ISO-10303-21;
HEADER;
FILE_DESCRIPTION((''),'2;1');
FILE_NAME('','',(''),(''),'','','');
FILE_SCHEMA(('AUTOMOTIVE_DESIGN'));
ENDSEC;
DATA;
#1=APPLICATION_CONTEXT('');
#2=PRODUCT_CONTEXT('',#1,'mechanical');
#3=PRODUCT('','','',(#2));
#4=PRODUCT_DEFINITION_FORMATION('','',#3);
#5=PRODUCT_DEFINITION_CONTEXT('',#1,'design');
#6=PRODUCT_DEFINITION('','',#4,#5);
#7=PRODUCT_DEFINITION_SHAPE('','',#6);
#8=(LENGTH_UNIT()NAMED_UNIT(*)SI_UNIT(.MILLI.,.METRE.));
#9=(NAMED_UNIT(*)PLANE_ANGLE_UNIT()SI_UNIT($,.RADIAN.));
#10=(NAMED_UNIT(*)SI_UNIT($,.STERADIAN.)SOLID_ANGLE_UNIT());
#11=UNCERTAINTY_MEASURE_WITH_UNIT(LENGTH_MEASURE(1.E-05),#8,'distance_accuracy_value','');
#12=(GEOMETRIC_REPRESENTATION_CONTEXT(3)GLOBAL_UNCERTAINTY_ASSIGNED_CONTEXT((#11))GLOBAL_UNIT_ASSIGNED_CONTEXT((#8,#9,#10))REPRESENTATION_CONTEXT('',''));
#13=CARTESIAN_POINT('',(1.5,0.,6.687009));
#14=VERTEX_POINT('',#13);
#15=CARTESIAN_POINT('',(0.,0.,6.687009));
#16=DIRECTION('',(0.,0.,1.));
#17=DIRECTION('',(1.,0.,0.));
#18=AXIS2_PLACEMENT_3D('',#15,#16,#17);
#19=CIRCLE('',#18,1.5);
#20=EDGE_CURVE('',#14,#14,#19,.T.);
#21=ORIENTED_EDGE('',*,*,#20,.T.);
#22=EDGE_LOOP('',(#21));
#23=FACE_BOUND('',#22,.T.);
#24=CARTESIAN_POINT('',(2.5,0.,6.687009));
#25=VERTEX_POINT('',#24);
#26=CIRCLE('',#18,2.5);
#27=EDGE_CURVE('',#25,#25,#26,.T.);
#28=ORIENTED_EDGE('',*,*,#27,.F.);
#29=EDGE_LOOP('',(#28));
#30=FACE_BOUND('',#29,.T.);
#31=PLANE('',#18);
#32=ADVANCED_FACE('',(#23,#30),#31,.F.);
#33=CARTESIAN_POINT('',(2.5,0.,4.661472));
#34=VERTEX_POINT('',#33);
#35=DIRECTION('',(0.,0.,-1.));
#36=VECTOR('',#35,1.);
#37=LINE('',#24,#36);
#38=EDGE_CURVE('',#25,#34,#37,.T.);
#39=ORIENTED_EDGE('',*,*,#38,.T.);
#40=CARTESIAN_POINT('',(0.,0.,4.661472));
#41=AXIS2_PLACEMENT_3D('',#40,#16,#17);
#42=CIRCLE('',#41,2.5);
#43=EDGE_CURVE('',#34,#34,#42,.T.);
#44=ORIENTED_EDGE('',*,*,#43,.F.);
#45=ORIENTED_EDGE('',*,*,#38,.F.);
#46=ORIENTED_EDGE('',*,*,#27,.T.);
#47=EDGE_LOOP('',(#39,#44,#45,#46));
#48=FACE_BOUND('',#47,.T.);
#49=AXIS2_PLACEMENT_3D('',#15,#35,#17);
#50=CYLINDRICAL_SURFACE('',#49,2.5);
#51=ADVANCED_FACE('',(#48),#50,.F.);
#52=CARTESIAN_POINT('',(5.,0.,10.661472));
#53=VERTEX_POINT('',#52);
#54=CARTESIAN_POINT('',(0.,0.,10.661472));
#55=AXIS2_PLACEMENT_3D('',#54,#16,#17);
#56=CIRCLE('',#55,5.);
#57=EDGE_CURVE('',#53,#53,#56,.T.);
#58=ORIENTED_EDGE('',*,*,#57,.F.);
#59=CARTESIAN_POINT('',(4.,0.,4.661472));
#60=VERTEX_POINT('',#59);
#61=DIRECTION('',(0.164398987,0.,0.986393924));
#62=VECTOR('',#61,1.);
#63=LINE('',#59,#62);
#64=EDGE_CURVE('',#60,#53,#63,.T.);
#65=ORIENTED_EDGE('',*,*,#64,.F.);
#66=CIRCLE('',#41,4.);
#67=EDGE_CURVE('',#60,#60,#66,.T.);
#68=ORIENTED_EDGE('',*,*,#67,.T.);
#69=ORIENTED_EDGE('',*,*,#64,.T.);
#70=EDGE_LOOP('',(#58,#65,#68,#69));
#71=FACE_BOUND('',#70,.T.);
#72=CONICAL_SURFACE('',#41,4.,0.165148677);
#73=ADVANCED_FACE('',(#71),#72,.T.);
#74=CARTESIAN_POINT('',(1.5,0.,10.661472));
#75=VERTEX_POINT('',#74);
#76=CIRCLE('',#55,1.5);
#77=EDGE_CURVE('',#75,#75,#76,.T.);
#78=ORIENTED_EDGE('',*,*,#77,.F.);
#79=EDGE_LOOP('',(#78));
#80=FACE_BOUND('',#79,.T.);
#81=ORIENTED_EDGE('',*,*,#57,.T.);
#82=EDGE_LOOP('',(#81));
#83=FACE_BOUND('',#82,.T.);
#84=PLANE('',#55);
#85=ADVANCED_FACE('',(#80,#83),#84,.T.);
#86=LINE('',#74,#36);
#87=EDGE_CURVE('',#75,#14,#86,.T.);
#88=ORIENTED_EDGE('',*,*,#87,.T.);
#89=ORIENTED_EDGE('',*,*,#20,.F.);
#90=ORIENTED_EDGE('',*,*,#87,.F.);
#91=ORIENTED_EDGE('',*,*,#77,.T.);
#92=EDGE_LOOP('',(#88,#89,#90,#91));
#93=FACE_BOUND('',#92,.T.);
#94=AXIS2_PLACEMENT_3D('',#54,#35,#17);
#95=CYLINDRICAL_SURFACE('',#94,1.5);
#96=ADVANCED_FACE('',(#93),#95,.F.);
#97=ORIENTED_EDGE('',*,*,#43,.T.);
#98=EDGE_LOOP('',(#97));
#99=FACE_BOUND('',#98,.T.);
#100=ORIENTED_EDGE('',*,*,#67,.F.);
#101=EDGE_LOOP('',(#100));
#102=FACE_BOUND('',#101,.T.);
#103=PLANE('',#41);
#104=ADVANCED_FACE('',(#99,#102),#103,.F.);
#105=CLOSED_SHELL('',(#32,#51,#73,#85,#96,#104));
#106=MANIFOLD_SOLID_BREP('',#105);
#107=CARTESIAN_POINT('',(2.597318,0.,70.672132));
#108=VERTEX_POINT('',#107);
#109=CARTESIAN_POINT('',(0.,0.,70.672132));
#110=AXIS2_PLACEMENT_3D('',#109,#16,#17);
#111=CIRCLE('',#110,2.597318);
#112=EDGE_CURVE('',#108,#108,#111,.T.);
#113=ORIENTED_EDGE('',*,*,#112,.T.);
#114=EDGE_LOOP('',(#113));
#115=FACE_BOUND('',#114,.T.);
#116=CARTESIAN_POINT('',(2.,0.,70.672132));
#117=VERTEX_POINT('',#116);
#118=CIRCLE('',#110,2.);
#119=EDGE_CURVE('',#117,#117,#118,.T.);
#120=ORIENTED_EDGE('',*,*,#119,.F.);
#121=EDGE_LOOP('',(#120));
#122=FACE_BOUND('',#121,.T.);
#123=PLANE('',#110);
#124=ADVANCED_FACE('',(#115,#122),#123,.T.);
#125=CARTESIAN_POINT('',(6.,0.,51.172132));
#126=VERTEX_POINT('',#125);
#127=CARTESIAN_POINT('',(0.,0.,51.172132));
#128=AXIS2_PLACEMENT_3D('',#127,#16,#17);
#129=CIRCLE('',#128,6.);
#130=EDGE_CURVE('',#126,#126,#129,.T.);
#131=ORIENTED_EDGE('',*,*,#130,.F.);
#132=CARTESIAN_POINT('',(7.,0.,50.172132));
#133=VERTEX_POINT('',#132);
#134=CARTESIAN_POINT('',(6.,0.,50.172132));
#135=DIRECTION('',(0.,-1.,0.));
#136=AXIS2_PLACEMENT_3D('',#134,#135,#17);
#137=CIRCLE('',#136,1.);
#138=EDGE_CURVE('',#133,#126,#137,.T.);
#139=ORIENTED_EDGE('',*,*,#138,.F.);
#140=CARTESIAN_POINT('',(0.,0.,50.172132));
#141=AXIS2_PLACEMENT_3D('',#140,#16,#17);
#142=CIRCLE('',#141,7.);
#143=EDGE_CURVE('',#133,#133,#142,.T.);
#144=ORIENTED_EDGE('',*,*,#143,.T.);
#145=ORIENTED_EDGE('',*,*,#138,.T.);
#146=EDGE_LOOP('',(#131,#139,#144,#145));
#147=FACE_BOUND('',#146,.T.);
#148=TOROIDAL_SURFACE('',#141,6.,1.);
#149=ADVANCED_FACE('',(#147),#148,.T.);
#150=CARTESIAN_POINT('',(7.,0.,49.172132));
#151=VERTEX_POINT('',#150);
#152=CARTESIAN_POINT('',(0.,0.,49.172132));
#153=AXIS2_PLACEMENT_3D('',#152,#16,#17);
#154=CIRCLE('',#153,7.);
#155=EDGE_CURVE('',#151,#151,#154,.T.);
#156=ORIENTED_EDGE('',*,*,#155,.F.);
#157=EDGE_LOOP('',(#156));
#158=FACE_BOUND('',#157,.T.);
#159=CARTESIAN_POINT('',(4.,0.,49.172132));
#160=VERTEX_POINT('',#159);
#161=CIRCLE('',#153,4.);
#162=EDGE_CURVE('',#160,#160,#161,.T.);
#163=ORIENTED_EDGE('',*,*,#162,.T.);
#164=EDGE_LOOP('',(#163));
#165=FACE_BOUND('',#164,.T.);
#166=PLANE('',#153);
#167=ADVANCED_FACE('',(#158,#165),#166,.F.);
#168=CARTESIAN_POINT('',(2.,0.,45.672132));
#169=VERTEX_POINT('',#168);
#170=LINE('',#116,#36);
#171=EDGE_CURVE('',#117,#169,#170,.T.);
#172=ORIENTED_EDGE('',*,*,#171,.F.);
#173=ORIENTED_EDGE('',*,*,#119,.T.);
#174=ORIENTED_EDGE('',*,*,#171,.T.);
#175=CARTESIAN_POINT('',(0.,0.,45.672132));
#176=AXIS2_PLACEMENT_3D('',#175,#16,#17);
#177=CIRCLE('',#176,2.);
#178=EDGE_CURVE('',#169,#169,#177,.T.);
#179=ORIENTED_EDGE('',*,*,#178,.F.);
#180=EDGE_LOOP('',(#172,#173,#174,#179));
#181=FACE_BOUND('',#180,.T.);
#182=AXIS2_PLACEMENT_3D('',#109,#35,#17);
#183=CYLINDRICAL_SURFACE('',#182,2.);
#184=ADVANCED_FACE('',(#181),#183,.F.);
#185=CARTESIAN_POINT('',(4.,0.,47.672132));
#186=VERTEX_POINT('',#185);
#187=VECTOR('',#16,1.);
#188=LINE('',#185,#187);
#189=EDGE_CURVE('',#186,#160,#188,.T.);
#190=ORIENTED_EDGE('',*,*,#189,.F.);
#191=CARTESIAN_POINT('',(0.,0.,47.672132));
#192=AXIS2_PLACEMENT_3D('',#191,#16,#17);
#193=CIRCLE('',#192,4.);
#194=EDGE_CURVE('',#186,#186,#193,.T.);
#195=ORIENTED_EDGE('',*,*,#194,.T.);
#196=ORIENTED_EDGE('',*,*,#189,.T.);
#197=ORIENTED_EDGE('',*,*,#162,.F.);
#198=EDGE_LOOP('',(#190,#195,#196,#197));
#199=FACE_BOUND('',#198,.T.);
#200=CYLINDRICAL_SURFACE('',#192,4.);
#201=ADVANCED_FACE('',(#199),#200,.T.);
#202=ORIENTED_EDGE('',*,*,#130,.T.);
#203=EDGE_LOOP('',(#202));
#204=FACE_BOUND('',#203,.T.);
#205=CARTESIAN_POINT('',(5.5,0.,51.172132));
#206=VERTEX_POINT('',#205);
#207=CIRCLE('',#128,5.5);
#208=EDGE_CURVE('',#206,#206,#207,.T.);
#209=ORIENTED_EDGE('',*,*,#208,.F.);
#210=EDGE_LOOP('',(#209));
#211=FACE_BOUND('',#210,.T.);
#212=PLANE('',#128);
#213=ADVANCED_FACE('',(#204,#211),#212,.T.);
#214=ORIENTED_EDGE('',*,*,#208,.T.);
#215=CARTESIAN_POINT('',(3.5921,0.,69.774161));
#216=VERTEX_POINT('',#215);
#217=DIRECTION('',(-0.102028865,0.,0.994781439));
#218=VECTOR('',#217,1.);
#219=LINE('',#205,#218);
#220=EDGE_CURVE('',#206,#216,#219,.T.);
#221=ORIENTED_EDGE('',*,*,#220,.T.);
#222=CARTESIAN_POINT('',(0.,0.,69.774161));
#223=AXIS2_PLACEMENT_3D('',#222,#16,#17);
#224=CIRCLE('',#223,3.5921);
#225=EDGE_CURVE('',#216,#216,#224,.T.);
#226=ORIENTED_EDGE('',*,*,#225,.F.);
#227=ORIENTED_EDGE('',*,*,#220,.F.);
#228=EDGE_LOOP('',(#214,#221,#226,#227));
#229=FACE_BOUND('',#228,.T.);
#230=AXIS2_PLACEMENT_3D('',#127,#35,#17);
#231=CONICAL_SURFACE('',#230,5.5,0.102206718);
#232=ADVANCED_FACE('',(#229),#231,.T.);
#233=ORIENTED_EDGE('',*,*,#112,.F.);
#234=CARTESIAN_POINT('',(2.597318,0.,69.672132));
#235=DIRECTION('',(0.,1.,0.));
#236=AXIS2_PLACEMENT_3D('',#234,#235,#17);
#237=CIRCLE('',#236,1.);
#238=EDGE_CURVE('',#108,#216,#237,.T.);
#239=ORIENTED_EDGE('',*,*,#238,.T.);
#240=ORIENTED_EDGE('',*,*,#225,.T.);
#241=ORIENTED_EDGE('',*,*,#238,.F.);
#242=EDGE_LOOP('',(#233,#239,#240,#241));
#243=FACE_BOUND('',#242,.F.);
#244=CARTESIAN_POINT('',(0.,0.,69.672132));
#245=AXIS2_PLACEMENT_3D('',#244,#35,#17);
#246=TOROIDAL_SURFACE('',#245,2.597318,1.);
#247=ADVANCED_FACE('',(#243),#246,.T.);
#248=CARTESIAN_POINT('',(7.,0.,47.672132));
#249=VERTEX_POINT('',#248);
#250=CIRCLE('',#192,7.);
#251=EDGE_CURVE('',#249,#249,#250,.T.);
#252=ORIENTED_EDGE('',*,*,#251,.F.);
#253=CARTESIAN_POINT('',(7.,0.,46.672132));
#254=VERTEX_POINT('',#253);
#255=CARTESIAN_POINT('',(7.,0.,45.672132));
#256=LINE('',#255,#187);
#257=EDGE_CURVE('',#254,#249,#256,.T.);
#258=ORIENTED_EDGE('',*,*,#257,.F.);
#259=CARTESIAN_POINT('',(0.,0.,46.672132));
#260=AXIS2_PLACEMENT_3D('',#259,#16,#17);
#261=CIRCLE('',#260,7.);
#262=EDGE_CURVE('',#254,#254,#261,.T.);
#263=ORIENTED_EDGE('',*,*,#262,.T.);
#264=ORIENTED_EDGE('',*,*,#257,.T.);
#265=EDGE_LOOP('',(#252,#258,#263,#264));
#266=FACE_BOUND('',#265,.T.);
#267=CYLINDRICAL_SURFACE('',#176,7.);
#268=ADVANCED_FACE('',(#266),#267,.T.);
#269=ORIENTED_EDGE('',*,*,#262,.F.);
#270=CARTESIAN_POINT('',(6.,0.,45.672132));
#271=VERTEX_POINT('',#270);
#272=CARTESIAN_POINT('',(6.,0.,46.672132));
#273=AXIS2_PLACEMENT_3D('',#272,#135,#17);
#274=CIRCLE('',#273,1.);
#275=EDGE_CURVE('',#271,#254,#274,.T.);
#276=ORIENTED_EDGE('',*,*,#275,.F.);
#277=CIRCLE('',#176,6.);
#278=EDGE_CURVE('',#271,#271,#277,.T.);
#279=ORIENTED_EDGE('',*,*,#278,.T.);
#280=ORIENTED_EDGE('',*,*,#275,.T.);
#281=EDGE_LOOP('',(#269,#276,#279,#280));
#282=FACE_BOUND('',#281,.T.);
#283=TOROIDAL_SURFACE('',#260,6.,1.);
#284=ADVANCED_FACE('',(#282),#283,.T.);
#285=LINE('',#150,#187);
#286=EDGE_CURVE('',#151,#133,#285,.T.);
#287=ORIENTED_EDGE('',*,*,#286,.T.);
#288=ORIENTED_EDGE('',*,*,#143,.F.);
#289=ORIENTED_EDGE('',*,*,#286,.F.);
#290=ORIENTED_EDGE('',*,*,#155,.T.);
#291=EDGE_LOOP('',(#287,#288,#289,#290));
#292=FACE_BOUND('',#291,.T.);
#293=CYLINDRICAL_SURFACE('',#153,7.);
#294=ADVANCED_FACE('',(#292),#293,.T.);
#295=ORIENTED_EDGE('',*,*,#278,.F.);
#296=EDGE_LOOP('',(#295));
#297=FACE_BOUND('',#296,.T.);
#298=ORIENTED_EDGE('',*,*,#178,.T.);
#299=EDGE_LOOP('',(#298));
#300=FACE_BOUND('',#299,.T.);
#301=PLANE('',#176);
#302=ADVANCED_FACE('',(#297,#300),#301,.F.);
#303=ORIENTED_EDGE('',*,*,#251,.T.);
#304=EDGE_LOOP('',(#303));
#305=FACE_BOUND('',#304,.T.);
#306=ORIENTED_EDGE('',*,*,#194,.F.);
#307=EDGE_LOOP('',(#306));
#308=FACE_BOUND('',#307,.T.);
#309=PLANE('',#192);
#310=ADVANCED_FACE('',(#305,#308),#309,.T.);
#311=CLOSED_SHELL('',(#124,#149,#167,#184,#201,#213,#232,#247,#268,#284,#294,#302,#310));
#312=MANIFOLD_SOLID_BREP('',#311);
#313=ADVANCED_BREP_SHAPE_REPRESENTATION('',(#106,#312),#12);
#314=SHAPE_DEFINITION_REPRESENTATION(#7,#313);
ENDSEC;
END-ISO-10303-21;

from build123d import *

# Parameters (mm, degrees)
F2_R = 1


with BuildPart() as f1:
    # F0 (on Front) → F1 (revolve)
    with BuildSketch(Plane.XZ):
        Polygon((3.5, 70.672132), (2, 70.672132), (2, 45.672132), (7, 45.672132), (7, 47.672132), (4, 47.672132), (4, 49.172132), (7, 49.172132), (7, 51.172132), (5.5, 51.172132), align=None)
    revolve(axis=Axis((0, 0, 56.739053), (0, 0, 1)))

    # F2
    f2_edges = [f1.edges().sort_by_distance(p)[0] for p in [
        (-7, 0, 51.172132),
        (-7, 0, 45.672132),
        (-3.5, 0, 70.672132),
    ]]
    fillet(f2_edges, radius=F2_R)


with BuildPart() as f4:
    # F3 (on Front) → F4 (revolve)
    with BuildSketch(Plane.XZ):
        Polygon((5, 10.661472), (1.5, 10.661472), (1.5, 6.687009), (2.5, 6.687009), (2.5, 4.661472), (4, 4.661472), align=None)
    revolve(axis=Axis((0, 0, 10.389713), (0, 0, 1)))


solid = Compound([f1.part, f4.part])
